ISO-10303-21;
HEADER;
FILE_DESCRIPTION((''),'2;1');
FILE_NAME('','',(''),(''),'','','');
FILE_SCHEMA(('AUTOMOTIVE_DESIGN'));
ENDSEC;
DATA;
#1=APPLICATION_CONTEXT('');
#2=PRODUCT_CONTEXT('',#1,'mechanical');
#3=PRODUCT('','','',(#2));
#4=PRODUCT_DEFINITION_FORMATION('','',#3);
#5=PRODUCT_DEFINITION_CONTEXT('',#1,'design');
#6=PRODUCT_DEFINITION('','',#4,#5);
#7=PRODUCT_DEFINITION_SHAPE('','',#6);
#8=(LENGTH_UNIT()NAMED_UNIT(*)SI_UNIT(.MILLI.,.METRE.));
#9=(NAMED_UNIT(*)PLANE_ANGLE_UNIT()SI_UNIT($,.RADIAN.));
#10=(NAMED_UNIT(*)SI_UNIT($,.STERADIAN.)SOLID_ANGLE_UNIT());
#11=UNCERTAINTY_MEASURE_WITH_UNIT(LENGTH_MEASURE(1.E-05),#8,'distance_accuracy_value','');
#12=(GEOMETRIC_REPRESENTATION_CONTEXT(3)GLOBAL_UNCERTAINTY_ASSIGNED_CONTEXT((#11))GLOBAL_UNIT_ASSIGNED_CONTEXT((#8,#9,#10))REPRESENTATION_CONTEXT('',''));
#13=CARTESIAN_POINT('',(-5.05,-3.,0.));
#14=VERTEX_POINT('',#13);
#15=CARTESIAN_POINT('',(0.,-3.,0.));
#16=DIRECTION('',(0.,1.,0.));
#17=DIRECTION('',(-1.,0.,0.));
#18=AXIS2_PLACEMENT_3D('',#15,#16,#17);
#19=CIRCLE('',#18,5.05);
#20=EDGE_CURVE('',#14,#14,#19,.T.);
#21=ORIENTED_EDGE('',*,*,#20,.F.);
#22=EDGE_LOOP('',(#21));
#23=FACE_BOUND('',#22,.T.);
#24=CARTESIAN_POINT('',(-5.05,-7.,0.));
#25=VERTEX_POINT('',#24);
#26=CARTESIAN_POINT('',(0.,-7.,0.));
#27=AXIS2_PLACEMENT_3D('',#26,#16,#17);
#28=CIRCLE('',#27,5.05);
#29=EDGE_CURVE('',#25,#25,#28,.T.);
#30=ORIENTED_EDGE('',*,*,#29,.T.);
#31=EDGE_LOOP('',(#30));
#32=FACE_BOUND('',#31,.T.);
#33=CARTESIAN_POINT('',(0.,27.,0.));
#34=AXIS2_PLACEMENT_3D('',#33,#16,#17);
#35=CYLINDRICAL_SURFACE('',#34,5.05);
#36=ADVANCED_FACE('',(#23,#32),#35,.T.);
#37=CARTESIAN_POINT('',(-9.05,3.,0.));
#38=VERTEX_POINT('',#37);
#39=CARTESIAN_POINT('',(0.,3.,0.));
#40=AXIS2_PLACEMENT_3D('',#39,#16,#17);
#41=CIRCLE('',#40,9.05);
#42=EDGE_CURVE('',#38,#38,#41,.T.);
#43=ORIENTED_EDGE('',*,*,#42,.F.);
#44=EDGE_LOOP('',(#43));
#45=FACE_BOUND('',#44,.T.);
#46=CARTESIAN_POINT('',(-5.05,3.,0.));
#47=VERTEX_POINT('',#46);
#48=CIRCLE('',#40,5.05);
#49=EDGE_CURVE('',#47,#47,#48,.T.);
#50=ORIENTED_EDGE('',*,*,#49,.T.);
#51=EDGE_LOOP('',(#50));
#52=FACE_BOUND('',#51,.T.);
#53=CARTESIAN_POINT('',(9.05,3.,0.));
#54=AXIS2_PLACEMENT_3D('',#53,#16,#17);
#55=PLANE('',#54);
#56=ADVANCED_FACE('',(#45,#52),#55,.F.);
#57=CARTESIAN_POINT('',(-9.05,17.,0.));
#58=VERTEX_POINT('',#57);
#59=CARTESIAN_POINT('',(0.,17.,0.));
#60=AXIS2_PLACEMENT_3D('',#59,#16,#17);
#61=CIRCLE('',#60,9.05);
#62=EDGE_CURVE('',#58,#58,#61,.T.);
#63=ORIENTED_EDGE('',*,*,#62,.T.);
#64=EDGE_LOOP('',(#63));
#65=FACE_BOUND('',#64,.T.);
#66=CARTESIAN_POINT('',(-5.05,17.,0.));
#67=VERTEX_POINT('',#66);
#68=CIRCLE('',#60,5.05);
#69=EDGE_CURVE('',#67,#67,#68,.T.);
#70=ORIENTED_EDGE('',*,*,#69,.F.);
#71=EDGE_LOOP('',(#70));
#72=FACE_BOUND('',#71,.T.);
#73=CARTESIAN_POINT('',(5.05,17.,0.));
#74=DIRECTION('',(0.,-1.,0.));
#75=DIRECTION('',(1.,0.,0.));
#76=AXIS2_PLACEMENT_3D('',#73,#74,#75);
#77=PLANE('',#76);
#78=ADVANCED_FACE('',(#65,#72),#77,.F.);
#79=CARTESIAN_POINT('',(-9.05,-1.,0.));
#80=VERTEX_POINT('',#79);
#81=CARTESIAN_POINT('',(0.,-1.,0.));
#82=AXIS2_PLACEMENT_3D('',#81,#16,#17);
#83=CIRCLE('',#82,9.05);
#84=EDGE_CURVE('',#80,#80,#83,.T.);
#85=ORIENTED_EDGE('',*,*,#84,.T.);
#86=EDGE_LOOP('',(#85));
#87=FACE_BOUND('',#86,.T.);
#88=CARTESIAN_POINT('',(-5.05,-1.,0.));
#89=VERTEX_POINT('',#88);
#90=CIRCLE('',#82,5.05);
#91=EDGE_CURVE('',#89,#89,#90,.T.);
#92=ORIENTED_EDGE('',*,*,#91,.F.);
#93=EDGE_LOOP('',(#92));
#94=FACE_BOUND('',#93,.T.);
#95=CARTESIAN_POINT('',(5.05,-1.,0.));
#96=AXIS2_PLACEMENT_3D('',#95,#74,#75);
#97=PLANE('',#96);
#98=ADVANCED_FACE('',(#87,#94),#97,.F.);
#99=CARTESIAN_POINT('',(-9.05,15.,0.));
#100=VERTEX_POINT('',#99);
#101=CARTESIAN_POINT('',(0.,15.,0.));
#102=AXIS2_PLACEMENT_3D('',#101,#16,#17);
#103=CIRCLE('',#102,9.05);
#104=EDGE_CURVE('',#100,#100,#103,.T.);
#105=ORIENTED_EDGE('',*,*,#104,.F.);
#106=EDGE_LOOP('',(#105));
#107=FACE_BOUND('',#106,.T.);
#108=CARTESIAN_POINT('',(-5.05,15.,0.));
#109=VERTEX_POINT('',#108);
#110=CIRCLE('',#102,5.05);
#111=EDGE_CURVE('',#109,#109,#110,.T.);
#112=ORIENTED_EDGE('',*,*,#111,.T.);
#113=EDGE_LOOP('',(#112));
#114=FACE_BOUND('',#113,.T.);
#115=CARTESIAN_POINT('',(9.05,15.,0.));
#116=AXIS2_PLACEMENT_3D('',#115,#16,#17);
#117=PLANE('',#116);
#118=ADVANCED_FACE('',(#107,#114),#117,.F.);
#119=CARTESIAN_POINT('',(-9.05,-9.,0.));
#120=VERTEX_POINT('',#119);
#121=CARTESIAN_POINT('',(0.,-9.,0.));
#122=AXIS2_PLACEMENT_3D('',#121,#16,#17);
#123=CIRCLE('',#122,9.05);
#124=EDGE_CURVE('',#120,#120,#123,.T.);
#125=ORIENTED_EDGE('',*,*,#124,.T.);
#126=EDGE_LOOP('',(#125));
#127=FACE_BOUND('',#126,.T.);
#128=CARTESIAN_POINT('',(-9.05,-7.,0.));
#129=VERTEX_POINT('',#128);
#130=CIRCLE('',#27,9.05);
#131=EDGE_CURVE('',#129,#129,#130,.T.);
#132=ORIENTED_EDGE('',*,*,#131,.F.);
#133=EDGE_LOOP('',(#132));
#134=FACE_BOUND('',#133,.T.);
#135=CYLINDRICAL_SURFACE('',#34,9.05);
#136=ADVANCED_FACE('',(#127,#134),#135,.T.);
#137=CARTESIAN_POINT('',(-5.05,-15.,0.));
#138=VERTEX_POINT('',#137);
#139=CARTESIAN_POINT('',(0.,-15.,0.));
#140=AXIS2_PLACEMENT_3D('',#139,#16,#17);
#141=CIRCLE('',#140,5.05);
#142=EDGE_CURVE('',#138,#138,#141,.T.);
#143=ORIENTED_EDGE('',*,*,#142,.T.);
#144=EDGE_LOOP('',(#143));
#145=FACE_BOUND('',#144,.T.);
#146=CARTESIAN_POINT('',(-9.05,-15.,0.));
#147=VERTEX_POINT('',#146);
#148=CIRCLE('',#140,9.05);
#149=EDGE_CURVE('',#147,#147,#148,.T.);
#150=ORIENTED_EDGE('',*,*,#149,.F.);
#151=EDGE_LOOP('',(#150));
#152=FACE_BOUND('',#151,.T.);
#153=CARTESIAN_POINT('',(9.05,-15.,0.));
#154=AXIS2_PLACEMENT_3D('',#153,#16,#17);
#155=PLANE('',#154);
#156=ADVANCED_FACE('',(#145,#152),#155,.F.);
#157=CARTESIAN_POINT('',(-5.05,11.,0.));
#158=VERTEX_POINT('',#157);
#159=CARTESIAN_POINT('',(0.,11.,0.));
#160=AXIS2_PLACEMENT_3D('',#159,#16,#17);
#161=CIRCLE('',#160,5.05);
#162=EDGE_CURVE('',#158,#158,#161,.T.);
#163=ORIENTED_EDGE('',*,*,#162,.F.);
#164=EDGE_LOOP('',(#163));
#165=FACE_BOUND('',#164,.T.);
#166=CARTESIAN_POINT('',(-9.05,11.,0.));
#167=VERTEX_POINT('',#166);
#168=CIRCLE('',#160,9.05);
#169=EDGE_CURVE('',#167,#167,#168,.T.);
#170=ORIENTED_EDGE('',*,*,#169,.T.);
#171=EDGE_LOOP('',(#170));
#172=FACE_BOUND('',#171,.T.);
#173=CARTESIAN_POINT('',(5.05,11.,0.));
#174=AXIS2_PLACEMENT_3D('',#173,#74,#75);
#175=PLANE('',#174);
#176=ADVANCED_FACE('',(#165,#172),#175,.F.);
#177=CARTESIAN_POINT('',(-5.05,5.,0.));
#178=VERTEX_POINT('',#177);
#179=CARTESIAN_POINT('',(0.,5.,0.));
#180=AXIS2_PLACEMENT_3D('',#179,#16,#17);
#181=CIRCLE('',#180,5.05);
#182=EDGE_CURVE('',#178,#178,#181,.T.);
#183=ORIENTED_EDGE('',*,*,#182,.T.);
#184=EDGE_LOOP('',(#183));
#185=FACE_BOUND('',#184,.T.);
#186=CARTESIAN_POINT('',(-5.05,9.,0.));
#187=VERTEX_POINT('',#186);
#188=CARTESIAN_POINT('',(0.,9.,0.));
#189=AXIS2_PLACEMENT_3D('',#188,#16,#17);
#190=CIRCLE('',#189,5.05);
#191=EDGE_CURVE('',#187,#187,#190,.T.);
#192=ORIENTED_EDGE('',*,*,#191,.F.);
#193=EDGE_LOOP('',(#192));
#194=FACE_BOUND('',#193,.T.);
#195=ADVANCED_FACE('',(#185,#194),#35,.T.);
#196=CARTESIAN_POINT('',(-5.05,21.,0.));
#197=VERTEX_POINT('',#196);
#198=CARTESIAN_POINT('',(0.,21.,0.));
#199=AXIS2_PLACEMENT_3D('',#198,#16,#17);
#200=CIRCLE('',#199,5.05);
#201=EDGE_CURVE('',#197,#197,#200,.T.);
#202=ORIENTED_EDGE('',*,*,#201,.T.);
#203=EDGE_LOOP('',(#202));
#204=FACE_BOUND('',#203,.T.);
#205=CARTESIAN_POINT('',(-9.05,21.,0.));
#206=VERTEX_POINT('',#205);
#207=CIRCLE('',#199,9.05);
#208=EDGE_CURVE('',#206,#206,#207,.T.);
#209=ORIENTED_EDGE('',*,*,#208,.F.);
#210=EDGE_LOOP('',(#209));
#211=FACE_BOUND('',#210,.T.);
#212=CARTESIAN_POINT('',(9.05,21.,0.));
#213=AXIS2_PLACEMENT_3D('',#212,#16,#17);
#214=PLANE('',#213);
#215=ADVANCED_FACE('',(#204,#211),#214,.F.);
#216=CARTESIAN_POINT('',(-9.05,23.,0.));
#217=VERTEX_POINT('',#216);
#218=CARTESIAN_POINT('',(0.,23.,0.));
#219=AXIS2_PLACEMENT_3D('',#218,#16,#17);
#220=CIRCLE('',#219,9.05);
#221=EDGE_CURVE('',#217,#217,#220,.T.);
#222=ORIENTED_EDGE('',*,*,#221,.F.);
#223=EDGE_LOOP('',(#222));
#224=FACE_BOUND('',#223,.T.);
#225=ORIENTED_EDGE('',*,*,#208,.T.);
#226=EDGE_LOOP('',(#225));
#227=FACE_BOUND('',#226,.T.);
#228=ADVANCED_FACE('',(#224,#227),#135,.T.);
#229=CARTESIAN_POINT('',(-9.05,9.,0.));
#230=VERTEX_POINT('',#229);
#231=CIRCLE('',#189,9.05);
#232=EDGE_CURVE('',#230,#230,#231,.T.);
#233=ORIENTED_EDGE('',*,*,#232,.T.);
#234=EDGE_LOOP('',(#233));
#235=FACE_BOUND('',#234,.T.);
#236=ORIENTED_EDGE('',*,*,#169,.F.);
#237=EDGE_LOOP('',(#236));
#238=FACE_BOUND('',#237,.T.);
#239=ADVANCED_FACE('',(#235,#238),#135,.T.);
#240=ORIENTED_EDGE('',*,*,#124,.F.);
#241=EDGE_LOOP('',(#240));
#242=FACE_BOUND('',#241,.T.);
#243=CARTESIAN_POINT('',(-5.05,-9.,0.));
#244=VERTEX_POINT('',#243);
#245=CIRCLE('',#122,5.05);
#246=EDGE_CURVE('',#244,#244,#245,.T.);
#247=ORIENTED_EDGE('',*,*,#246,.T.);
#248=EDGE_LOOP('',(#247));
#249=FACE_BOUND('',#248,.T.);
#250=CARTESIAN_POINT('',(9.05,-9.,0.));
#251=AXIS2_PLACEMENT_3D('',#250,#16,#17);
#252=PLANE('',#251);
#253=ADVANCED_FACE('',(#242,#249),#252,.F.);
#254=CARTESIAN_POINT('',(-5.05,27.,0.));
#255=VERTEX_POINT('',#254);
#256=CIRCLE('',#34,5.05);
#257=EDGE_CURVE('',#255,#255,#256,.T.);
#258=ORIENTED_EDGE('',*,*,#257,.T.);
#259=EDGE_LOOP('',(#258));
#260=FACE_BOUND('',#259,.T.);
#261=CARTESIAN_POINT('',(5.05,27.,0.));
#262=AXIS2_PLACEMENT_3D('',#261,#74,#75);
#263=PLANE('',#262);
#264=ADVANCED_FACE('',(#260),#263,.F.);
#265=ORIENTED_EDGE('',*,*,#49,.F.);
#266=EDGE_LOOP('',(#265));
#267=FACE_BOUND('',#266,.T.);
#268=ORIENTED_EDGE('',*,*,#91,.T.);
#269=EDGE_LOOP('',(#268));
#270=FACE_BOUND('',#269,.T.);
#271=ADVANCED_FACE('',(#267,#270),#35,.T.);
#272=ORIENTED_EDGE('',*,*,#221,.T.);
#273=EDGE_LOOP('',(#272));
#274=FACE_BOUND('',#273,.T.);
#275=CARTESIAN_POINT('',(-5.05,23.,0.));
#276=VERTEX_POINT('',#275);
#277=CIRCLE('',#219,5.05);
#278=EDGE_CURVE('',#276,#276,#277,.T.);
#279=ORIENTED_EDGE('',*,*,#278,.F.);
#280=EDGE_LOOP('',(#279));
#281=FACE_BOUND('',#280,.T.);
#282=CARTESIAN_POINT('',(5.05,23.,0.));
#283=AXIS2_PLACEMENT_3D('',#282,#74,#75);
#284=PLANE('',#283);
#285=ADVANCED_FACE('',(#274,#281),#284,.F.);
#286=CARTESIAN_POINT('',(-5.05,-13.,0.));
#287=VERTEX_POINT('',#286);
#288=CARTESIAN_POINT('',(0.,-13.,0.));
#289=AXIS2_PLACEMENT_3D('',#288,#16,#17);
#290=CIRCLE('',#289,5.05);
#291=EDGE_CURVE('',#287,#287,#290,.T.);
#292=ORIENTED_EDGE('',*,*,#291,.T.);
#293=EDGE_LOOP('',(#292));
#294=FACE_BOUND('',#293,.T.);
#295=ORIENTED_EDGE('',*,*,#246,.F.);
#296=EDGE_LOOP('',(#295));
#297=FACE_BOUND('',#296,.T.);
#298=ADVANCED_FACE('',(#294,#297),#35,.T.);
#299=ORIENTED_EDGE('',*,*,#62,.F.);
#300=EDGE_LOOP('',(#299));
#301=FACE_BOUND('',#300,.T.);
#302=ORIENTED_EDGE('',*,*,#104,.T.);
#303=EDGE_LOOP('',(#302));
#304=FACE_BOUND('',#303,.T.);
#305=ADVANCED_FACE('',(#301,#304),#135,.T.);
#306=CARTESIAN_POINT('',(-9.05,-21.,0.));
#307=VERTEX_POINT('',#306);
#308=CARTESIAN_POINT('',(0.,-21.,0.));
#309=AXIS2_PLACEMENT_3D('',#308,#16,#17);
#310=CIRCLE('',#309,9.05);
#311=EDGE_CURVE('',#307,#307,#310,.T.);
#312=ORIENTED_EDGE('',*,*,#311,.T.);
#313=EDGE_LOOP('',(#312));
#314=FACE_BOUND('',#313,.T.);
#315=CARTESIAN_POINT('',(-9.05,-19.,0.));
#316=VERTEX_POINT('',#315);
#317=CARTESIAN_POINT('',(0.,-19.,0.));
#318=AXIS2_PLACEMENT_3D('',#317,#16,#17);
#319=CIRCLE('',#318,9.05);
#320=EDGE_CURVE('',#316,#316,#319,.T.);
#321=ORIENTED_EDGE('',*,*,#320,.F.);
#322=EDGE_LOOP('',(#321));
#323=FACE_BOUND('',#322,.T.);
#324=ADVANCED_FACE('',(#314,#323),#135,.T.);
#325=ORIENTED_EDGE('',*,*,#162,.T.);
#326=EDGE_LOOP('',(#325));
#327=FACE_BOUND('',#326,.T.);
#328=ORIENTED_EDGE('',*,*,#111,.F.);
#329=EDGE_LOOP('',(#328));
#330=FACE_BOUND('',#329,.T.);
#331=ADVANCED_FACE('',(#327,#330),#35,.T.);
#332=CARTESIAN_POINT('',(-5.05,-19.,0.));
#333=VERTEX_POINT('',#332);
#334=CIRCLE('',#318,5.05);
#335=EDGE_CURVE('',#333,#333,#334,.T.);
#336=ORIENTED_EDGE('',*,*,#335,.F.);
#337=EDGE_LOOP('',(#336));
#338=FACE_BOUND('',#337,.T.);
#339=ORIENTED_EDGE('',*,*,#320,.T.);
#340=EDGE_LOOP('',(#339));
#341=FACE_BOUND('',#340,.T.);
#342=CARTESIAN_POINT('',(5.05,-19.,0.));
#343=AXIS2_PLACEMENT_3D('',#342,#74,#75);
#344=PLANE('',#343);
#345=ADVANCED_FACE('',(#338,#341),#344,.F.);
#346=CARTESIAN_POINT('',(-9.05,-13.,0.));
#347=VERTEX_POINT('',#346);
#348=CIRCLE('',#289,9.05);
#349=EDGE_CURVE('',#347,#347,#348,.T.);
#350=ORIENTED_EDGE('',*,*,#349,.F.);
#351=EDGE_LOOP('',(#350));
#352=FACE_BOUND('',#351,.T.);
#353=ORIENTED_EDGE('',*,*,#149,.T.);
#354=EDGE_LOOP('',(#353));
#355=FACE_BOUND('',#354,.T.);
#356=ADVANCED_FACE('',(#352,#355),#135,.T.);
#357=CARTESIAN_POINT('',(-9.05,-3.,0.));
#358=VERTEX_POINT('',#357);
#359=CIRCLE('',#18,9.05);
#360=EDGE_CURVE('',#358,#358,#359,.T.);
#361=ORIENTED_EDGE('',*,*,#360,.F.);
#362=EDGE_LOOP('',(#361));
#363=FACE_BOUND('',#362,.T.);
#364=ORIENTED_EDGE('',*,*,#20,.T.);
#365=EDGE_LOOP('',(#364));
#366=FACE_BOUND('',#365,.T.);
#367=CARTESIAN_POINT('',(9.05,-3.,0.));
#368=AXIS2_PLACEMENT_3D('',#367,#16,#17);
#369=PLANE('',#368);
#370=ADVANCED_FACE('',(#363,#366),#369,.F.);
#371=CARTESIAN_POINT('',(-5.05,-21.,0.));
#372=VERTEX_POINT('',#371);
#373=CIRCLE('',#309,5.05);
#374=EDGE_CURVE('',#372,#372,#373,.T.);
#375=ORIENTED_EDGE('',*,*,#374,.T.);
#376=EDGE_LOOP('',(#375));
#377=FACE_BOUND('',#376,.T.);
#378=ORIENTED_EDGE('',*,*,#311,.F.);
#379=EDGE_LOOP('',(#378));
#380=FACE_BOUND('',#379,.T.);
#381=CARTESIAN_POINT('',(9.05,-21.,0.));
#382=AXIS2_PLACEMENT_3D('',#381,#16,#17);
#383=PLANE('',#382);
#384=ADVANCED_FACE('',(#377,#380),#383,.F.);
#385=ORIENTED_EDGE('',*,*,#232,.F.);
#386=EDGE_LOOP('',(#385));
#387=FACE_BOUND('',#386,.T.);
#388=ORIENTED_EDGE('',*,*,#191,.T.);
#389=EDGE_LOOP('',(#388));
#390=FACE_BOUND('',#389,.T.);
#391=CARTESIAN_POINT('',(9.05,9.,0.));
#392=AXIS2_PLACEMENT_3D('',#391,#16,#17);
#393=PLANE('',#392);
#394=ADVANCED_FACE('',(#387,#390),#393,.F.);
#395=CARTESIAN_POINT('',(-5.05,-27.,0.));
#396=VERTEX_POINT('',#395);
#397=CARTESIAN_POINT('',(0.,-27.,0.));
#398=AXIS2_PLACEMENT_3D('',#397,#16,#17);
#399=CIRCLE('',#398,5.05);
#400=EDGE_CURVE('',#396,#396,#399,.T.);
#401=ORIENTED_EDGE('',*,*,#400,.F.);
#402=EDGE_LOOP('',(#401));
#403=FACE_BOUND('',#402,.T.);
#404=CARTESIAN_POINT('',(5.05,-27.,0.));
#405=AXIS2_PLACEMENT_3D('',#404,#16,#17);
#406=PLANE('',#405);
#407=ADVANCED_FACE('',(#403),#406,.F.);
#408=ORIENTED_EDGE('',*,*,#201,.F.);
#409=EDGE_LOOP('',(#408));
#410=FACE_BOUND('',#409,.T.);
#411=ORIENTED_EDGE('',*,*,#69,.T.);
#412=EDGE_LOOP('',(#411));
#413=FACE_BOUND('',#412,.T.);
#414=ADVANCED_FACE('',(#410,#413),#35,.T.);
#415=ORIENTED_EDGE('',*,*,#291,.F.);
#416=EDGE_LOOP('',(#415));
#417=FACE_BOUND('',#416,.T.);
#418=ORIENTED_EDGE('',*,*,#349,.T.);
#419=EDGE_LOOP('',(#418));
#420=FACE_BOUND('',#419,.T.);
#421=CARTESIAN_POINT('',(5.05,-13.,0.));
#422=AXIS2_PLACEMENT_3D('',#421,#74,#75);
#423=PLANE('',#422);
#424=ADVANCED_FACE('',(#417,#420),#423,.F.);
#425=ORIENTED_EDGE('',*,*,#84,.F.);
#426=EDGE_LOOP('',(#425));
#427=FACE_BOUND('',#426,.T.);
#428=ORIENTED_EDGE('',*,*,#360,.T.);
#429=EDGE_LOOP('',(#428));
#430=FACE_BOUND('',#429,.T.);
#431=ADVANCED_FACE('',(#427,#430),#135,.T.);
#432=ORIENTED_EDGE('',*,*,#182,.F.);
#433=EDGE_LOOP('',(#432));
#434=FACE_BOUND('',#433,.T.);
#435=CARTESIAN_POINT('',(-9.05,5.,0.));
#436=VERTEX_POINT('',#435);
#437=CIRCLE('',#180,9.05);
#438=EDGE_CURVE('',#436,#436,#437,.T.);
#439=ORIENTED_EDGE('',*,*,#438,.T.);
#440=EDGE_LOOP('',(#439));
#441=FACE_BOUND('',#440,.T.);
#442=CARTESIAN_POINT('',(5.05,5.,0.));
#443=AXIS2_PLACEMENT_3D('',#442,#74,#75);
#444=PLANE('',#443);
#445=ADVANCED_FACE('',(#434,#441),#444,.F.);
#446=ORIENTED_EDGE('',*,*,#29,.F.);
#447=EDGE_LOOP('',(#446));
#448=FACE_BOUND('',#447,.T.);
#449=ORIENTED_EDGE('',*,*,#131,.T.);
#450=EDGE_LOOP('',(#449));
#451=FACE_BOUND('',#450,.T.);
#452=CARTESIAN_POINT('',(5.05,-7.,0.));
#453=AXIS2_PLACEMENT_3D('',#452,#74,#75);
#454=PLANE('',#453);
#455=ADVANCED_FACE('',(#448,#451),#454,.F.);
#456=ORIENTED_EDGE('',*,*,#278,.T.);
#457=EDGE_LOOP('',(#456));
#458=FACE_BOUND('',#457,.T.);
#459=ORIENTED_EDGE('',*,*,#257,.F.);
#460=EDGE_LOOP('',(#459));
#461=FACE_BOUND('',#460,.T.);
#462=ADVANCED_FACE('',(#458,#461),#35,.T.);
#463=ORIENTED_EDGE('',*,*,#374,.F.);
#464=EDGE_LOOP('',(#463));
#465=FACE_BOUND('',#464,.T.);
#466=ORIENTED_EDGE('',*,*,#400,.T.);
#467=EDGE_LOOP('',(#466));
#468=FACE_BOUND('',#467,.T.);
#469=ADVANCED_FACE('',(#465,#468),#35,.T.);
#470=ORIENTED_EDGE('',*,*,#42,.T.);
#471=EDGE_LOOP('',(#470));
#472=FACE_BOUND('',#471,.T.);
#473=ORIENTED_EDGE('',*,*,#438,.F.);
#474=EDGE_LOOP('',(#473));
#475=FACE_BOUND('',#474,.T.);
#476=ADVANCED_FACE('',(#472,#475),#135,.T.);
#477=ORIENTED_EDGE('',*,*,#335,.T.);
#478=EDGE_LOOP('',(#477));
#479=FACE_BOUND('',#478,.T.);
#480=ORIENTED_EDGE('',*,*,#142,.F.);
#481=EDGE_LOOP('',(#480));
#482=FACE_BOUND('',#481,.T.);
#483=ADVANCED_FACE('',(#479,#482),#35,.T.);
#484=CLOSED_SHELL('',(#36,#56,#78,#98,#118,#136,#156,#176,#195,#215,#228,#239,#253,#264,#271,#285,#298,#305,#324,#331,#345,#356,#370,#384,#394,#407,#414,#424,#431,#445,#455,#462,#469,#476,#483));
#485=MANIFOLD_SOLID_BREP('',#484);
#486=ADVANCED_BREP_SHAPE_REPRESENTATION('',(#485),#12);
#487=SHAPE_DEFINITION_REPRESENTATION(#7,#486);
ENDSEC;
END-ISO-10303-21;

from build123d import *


with BuildPart() as part:
    # Sketch1 → Revolve1 (revolve)
    with BuildSketch(Plane.XY, mode=Mode.PRIVATE) as revolve1_sk:
        Polygon((5.05, 24), (5.05, 23), (9.05, 23), (9.05, 21), (5.05, 21), (5.05, 18), (5.05, 17), (9.05, 17), (9.05, 15), (5.05, 15), (5.05, 12), (5.05, 11), (9.05, 11), (9.05, 9), (5.05, 9), (5.05, 6), (5.05, 5), (9.05, 5), (9.05, 3), (5.05, 3), (5.05, 0), (5.05, -1), (9.05, -1), (9.05, -3), (5.05, -3), (5.05, -6), (5.05, -7), (9.05, -7), (9.05, -9), (5.05, -9), (5.05, -12), (5.05, -13), (9.05, -13), (9.05, -15), (5.05, -15), (5.05, -18), (5.05, -19), (9.05, -19), (9.05, -21), (5.05, -21), (5.05, -24), (5.05, -27), (0, -27), (0, 27), (5.05, 27), align=None)
    revolve(revolve1_sk.sketch.rotate(Axis((0, 27, 0), (0, -1, 0)), 180), axis=Axis((0, 27, 0), (0, -1, 0)))


solid = part.part
